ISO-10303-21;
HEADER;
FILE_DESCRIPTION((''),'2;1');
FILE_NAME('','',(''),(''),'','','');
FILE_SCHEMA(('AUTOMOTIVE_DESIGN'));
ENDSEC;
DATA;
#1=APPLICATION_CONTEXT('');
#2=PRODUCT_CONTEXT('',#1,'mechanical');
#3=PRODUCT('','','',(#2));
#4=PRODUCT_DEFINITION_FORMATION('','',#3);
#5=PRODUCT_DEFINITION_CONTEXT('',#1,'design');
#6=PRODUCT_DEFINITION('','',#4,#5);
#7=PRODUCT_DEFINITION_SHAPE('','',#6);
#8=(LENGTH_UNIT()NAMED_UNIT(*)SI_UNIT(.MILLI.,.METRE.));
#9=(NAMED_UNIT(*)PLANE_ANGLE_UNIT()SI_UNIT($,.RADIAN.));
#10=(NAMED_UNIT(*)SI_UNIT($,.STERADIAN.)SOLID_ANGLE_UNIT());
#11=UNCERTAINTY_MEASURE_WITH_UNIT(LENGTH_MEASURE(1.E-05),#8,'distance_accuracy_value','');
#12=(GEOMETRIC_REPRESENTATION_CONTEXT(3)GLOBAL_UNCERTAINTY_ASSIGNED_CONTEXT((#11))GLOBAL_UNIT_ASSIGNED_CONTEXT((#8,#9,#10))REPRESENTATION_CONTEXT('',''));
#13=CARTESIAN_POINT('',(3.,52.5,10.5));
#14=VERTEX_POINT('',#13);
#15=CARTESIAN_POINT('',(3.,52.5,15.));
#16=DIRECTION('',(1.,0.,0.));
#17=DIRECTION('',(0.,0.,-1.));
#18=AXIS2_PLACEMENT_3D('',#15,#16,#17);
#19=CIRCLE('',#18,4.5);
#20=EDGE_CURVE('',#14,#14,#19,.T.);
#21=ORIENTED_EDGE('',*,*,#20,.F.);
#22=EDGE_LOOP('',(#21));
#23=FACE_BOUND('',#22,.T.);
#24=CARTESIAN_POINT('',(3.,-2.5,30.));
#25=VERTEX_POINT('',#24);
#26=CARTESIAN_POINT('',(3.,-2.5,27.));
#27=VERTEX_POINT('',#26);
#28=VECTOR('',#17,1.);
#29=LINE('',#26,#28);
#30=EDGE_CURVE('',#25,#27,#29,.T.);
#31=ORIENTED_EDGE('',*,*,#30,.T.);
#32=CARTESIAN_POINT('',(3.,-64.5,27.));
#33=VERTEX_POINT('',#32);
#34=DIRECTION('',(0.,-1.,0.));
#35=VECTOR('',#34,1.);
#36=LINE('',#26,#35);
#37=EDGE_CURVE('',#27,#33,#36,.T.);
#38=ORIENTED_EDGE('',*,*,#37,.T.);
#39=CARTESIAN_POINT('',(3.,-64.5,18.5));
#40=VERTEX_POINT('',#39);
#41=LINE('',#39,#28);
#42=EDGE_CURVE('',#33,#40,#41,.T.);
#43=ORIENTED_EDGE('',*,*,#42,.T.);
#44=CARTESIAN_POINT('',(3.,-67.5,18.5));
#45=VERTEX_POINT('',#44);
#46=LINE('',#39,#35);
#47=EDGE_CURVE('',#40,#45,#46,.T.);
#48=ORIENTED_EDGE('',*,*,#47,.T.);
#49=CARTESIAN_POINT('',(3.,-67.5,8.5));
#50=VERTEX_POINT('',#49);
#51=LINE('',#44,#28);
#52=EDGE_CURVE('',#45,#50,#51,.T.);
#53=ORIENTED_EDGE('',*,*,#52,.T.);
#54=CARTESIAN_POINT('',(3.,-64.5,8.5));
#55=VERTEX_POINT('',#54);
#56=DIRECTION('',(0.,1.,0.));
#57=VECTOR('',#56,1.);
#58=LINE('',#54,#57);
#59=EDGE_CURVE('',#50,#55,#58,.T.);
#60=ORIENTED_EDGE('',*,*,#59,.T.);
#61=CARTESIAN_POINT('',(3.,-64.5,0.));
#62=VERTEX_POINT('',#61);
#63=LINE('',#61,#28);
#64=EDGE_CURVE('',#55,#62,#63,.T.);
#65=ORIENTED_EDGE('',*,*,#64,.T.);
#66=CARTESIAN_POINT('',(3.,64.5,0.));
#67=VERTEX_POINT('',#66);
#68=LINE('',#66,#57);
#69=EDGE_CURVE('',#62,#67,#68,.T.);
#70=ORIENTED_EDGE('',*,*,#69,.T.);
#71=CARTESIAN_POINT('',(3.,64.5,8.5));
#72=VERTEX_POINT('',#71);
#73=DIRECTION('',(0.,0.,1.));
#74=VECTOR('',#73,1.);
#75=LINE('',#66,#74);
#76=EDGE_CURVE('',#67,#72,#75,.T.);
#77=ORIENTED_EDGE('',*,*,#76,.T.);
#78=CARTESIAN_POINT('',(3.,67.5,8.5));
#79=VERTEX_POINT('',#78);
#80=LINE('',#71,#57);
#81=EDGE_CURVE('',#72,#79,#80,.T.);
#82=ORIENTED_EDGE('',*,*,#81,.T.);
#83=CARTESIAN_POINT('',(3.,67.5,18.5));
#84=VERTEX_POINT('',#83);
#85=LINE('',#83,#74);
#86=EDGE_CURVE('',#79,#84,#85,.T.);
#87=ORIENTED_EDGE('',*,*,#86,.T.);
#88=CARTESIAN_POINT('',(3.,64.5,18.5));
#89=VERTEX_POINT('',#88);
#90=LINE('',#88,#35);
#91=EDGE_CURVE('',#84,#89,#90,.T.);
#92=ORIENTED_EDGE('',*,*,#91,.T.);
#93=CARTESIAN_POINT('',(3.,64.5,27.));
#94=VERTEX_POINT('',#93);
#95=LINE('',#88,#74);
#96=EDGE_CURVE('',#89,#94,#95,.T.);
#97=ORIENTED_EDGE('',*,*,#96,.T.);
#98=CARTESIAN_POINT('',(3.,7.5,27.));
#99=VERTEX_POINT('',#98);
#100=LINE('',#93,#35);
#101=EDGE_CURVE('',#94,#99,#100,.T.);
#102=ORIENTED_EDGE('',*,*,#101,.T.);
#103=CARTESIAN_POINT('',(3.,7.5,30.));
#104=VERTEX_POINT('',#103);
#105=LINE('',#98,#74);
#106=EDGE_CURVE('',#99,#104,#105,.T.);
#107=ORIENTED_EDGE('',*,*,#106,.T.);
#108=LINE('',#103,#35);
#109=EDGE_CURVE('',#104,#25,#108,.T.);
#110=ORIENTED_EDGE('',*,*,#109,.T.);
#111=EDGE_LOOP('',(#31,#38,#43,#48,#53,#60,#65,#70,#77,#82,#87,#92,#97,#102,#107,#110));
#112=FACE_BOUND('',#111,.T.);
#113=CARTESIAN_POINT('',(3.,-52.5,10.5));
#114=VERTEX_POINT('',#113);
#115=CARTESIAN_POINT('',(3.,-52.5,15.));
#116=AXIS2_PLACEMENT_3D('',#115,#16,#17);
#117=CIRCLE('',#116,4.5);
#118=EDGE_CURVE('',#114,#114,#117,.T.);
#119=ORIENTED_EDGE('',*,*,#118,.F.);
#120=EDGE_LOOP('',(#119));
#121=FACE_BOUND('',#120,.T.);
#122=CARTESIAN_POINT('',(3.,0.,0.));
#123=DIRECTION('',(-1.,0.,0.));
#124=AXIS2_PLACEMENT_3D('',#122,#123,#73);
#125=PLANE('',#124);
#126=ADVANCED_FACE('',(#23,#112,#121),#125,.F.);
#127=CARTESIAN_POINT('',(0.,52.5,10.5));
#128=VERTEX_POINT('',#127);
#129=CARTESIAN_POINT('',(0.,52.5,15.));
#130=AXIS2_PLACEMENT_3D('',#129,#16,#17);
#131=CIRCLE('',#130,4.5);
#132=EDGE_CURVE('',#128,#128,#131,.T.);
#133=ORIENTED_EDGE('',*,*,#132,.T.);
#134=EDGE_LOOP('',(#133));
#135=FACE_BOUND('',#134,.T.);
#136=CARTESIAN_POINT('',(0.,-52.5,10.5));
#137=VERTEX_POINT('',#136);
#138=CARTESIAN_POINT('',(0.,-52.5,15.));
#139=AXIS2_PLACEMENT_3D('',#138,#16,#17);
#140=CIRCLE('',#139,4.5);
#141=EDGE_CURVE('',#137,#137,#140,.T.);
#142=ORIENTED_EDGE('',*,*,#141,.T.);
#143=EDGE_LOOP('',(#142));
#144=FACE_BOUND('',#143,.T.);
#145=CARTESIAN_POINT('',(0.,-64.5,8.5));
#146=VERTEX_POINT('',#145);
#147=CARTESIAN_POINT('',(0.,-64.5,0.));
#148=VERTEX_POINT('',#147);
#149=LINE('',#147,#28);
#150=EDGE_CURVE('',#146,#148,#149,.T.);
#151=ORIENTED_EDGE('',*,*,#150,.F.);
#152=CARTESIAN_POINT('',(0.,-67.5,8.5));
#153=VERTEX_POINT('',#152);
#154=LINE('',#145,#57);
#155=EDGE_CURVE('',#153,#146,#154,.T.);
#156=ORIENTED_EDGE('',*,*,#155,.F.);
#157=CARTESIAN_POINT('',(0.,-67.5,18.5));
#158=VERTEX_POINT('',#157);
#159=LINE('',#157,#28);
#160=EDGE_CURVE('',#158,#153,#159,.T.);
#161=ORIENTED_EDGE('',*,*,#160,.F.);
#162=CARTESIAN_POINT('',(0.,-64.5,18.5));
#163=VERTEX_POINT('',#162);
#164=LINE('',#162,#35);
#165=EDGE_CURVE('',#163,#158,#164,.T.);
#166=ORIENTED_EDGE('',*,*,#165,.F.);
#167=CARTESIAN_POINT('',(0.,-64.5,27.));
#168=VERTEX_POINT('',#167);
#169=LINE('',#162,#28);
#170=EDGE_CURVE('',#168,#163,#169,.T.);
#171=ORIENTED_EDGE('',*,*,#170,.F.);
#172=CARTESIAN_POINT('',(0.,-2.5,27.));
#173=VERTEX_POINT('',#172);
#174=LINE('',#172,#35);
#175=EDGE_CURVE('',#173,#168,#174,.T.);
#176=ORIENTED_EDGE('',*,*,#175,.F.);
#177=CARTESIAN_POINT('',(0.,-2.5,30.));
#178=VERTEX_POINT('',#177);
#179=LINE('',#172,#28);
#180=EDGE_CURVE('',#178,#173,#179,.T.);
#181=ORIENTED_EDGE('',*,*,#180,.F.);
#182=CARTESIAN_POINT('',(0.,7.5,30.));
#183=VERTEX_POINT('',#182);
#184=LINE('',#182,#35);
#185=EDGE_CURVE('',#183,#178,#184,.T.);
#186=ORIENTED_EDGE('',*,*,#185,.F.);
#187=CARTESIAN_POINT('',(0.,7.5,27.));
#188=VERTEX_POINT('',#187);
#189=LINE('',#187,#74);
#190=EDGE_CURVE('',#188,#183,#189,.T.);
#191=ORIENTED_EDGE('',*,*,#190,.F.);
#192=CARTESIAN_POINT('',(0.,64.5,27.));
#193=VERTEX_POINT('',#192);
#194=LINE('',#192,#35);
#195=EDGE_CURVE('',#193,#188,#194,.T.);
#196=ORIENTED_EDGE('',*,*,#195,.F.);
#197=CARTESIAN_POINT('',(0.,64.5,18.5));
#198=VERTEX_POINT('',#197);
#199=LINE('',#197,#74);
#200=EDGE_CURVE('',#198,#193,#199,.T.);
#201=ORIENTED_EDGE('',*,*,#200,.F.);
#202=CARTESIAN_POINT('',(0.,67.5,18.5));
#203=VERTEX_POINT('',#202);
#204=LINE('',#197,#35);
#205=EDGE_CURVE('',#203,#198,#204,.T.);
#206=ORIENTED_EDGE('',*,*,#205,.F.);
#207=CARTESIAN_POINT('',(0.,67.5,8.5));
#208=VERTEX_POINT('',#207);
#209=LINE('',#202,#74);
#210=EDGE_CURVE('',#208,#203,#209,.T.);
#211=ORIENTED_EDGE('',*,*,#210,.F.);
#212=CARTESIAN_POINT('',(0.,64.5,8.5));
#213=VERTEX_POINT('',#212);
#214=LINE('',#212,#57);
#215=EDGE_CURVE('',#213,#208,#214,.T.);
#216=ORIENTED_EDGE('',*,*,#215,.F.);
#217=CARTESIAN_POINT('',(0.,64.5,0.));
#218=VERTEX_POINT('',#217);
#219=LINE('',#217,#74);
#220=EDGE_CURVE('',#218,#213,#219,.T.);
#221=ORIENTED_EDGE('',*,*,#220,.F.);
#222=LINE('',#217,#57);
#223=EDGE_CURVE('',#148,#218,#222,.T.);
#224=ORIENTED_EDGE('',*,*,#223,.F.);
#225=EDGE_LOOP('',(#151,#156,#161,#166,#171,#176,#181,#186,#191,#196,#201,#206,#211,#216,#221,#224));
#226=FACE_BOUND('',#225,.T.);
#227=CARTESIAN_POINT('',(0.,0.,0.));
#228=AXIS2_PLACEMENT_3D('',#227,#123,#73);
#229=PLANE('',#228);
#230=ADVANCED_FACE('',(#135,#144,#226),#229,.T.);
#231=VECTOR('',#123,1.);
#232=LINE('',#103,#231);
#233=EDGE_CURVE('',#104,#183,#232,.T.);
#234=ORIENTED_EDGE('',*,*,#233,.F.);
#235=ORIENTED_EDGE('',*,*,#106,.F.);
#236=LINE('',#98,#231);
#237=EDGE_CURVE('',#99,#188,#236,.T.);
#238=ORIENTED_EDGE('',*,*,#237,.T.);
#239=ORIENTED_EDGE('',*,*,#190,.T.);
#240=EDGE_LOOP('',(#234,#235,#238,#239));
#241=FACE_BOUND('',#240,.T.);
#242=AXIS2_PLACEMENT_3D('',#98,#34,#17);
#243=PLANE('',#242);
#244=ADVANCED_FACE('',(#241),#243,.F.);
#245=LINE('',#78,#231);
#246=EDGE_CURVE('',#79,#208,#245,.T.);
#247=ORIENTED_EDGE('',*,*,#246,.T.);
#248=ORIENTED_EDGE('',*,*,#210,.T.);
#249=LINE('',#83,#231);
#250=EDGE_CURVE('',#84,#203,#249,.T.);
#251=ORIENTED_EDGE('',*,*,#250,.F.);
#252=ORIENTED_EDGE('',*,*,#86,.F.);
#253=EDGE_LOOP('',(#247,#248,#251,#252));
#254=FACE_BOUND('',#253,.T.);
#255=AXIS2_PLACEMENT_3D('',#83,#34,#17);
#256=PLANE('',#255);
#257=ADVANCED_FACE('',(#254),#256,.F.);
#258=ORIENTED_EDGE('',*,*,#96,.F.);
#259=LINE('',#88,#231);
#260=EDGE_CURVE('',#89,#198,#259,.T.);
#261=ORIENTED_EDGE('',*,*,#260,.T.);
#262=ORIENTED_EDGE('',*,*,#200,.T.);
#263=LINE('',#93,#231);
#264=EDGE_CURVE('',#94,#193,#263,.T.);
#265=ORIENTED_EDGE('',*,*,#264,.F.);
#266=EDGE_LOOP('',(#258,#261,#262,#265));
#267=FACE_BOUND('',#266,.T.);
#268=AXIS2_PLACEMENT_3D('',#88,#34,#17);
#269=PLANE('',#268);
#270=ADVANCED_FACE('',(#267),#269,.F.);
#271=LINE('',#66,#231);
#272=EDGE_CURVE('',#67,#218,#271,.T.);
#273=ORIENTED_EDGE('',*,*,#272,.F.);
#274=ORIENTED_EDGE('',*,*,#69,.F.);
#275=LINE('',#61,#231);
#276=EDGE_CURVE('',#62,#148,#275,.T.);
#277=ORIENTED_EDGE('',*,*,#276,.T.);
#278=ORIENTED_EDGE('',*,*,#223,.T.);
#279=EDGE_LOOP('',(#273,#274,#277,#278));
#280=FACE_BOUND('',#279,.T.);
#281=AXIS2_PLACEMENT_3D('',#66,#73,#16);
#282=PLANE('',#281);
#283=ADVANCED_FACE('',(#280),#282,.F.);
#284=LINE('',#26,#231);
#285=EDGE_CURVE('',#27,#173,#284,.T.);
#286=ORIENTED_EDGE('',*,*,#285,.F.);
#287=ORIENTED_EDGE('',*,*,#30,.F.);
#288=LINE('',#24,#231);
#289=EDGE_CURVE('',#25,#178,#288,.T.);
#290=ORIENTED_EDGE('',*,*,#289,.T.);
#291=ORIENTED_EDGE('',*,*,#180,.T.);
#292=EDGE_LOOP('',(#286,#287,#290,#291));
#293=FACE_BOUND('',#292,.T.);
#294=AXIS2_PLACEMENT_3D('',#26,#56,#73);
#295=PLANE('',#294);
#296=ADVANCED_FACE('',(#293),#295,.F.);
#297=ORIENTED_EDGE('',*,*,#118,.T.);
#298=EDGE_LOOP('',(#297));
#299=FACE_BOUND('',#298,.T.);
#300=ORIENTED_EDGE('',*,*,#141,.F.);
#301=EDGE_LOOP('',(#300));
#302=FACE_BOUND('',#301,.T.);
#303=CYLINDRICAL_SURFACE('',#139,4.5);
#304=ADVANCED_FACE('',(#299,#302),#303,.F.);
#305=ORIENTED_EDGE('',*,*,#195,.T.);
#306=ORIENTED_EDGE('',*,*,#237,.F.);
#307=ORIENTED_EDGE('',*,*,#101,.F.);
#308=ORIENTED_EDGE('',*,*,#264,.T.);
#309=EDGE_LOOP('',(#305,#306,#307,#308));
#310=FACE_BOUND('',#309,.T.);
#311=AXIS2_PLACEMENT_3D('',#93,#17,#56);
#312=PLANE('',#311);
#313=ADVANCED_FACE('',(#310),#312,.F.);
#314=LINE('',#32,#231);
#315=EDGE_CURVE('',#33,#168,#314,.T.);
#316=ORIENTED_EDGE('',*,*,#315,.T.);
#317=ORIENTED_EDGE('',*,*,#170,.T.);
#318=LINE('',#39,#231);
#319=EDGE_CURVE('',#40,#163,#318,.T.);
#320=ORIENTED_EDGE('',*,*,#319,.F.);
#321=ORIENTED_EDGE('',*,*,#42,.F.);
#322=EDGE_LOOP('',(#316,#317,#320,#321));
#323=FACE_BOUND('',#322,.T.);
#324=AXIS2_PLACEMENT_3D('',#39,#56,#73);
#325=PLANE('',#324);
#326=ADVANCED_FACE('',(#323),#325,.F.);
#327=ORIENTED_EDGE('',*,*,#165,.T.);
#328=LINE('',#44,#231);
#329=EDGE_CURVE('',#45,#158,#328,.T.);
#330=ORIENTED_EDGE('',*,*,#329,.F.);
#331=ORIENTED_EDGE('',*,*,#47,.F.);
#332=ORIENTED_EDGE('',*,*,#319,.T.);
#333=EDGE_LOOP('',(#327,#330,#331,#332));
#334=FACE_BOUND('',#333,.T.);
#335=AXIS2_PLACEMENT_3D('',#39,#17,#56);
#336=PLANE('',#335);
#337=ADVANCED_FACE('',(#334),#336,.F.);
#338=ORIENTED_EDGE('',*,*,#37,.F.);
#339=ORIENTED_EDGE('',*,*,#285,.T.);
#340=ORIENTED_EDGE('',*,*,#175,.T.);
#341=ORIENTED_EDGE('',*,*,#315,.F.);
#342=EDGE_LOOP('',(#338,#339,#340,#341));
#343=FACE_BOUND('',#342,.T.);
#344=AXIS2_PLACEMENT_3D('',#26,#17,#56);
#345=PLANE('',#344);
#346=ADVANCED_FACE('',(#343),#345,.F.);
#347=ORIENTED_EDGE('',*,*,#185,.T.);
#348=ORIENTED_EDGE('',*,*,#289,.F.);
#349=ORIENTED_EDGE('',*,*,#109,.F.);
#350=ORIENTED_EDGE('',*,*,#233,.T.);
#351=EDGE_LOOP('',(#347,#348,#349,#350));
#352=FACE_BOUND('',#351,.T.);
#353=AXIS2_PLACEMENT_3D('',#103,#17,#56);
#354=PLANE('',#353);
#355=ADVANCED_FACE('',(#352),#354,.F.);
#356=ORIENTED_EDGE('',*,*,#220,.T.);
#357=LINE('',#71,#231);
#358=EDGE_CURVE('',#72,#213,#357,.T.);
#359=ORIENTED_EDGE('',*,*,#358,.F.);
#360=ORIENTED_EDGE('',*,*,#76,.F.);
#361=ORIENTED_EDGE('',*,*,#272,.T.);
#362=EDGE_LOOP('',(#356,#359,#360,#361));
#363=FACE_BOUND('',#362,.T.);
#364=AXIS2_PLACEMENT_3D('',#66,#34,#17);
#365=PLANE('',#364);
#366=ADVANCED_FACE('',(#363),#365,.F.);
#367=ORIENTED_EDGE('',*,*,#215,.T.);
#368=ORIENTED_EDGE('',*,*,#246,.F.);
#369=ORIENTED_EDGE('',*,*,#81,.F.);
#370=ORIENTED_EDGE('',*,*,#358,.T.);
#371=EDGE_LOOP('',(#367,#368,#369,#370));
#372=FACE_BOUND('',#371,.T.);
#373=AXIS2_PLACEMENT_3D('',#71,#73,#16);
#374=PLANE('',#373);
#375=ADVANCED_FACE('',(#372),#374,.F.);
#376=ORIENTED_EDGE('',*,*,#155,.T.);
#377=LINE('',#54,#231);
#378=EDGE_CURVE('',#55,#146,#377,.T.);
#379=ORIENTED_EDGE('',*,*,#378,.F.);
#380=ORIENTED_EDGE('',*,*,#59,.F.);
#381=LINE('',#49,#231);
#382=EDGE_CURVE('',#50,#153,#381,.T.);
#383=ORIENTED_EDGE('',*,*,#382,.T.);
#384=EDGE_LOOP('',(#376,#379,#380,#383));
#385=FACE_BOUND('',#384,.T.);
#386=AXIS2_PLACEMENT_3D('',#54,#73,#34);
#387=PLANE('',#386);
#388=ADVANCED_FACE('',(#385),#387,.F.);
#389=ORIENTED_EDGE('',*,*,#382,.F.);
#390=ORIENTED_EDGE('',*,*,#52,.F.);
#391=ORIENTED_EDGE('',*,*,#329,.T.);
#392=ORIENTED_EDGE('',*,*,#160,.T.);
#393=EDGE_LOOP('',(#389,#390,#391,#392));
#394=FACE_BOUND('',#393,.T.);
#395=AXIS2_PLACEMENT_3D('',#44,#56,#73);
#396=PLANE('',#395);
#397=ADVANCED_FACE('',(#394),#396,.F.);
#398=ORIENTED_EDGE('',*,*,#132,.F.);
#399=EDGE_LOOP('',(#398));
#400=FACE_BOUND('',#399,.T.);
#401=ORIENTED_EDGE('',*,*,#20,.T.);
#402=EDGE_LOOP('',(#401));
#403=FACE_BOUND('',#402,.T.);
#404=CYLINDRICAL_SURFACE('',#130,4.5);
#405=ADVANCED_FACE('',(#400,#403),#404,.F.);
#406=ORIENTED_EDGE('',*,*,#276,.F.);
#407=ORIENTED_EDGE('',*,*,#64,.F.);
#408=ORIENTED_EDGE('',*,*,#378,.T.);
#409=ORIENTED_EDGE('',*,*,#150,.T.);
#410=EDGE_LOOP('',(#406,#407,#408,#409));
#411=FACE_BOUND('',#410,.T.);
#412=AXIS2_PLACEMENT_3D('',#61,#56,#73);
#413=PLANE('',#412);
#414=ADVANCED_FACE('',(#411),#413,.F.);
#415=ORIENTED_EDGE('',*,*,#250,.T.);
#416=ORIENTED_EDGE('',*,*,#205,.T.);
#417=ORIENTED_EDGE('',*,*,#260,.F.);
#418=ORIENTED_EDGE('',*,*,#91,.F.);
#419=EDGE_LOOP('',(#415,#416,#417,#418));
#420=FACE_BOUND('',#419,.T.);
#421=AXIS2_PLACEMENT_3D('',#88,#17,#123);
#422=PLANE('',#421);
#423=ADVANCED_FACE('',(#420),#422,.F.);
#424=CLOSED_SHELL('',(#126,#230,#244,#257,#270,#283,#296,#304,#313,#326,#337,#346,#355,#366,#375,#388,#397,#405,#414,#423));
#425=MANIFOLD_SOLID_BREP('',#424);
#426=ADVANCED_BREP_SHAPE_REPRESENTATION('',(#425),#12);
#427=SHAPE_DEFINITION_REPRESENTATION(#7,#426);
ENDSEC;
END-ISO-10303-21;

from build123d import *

# Parameters (mm, degrees)
BOSS_EXTRUDE1_DEPTH = 3
SKETCH2_R           = 4.5
CUT_EXTRUDE1_DEPTH  = 74.927329182


with BuildPart() as part:
    # Sketch1 → Boss-Extrude1 (new body)
    with BuildSketch(Plane(origin=(0, 0, 0), x_dir=(0, 0, -1), z_dir=(1, 0, 0))):
        Polygon((0, 64.5), (-8.5, 64.5), (-8.5, 67.5), (-18.5, 67.5), (-18.5, 64.5), (-27, 64.5), (-27, 7.5), (-30, 7.5), (-30, -2.5), (-27, -2.5), (-27, -64.5), (-18.5, -64.5), (-18.5, -67.5), (-8.5, -67.5), (-8.5, -64.5), (0, -64.5), align=None)
    extrude(amount=BOSS_EXTRUDE1_DEPTH)

    # Sketch2 → Cut-Extrude1 (cut, through all)
    with BuildSketch(Plane(origin=(3, 0, 0), x_dir=(0, 0, -1), z_dir=(1, 0, 0))):
        with Locations((-15, 52.5)):
            Circle(SKETCH2_R)
        with Locations((-15, -52.5)):
            Circle(SKETCH2_R)
    extrude(amount=-CUT_EXTRUDE1_DEPTH, mode=Mode.SUBTRACT)


solid = part.part
